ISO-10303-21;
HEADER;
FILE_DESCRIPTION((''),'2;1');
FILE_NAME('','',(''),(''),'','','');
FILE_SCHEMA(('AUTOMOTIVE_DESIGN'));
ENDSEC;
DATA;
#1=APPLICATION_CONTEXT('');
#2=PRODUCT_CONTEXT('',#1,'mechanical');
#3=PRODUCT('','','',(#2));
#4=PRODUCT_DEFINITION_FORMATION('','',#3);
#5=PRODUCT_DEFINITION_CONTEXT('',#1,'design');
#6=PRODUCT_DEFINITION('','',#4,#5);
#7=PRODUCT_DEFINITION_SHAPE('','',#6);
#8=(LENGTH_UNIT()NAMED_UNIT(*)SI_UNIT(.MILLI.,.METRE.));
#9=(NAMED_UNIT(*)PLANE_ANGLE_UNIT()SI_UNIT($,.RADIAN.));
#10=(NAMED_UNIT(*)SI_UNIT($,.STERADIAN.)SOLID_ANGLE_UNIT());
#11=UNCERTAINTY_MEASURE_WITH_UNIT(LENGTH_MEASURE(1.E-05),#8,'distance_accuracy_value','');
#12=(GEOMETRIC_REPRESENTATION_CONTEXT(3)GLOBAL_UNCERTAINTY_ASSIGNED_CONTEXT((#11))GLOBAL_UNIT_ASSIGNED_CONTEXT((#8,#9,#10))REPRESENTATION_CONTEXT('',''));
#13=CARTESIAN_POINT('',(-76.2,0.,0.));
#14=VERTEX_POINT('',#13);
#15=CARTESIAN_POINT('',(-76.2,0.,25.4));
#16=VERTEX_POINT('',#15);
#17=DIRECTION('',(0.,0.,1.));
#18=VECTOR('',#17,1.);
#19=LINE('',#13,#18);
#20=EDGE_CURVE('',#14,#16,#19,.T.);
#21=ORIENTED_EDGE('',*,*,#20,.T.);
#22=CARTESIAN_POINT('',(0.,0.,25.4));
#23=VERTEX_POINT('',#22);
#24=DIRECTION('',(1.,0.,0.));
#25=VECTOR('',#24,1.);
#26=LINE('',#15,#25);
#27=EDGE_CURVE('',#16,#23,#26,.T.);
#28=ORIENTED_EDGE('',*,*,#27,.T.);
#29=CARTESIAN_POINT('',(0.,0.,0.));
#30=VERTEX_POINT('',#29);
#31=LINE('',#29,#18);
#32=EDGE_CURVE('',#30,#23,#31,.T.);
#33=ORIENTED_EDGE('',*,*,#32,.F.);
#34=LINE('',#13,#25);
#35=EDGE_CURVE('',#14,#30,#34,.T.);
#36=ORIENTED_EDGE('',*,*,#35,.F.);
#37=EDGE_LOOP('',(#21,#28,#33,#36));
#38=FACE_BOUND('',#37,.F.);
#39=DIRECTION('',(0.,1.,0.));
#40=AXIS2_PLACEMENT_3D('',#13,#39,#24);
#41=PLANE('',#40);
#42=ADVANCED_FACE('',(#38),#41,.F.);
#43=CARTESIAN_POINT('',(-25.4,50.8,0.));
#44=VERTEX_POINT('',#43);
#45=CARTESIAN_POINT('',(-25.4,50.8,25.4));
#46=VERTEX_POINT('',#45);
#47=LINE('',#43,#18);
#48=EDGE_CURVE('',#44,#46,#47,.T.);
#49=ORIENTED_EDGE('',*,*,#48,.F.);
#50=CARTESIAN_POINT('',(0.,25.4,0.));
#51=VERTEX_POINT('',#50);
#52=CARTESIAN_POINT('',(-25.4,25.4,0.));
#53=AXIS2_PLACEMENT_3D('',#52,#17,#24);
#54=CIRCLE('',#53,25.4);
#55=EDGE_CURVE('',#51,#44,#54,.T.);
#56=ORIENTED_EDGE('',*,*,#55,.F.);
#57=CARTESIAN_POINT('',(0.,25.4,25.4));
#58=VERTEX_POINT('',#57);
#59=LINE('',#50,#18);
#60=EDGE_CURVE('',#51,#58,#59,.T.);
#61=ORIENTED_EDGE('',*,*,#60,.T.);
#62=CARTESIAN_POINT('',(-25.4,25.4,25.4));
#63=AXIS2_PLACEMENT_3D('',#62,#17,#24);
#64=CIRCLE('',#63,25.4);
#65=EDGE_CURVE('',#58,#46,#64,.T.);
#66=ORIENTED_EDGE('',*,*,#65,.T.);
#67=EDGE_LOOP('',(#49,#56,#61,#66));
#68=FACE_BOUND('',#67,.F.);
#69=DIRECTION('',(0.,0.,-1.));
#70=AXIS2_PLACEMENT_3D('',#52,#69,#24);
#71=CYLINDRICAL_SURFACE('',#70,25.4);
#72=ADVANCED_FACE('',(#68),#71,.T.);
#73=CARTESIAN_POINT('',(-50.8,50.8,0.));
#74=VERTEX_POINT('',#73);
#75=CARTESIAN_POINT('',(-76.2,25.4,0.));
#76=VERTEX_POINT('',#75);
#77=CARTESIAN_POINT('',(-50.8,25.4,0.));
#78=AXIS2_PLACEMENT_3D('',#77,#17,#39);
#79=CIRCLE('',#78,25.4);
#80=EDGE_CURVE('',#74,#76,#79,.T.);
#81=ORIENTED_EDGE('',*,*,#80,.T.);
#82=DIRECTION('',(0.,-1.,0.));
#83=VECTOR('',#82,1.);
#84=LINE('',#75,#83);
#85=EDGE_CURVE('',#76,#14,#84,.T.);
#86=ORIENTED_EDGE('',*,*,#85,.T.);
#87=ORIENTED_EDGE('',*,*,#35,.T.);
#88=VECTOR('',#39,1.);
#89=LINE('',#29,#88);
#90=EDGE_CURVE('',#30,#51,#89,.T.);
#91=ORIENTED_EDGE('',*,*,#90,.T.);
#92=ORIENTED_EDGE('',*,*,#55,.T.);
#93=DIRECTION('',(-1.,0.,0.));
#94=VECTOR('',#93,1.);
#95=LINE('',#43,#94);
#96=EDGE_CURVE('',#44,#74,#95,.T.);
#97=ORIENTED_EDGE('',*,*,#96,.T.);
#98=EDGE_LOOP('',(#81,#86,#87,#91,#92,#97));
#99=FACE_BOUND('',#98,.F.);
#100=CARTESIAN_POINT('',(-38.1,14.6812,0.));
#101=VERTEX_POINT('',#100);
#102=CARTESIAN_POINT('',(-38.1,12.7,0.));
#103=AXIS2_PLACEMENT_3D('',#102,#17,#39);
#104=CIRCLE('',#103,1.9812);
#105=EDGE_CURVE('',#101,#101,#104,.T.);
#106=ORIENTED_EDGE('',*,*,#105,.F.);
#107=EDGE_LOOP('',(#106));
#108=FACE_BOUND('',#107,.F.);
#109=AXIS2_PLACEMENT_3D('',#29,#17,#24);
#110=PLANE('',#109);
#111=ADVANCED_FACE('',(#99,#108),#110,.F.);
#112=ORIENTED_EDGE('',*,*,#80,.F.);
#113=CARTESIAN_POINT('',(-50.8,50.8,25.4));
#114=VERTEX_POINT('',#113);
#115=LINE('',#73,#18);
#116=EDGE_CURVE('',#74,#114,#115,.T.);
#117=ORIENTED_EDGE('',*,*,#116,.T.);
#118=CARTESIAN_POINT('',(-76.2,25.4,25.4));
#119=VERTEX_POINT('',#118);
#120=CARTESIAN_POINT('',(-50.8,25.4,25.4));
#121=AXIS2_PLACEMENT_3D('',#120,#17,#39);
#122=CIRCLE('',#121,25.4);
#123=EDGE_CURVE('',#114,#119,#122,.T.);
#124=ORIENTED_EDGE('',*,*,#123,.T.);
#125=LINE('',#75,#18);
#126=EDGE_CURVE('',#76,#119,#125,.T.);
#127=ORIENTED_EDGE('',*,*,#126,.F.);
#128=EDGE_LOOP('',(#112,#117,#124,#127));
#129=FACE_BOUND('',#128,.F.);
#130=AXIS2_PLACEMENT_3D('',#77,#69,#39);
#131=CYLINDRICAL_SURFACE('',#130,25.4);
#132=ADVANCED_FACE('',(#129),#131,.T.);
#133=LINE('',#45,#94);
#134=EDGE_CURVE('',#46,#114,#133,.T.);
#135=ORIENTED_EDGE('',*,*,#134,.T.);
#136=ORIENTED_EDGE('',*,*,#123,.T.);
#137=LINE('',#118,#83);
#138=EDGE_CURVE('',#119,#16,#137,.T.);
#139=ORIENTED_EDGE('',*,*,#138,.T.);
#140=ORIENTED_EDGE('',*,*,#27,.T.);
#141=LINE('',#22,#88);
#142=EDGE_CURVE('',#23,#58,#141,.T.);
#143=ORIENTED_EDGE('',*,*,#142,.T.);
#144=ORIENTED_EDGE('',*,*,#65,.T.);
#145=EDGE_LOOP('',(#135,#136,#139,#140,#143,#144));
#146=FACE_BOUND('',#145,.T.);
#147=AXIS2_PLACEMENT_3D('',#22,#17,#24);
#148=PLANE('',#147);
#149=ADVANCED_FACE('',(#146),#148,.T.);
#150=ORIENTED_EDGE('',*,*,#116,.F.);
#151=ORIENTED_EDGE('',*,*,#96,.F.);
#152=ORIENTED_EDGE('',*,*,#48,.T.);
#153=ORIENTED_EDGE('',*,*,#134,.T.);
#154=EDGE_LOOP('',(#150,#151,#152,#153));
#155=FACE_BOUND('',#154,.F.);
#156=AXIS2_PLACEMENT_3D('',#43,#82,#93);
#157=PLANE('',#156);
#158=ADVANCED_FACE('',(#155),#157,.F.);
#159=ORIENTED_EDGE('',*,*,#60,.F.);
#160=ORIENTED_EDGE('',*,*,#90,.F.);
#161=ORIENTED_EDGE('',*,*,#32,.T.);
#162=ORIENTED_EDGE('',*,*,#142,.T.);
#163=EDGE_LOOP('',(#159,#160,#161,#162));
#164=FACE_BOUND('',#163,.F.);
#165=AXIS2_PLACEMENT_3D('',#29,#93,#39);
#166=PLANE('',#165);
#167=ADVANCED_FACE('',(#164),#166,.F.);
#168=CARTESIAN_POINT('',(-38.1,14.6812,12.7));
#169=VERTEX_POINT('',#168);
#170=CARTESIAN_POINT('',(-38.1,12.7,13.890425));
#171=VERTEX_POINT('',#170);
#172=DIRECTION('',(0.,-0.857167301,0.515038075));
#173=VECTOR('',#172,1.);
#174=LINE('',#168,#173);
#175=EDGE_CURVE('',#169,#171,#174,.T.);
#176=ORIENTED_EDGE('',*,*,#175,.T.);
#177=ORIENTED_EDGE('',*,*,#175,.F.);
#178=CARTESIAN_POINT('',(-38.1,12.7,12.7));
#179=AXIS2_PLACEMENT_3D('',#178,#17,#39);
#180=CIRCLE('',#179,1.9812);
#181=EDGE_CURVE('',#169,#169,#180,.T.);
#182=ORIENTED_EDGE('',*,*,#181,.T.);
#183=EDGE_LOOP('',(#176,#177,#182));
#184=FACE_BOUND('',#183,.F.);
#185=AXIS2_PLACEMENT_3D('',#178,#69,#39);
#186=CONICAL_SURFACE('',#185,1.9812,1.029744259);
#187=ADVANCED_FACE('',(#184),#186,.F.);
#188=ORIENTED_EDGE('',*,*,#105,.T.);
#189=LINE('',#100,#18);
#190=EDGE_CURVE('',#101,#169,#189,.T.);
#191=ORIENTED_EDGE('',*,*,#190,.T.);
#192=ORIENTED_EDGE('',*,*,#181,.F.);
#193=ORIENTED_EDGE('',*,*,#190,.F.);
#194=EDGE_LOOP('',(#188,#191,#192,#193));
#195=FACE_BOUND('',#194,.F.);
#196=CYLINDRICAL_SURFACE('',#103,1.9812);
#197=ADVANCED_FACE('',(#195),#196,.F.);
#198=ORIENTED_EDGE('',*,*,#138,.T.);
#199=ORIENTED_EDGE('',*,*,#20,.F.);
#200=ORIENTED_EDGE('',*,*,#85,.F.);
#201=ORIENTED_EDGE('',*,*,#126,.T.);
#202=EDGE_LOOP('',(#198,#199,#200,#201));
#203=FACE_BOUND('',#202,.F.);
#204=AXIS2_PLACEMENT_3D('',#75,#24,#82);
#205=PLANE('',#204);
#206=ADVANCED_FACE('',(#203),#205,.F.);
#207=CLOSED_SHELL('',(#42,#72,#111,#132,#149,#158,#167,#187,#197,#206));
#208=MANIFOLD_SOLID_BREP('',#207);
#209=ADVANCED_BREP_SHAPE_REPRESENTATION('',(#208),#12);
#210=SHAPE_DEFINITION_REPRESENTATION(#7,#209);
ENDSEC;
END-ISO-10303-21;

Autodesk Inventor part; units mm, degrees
ref_plane "YZ Plane" through (0, 0, 0) normal (1, 0, 0) x (0, 1, 0)
ref_plane "XZ Plane" through (0, 0, 0) normal (0, 1, 0) x (-1, 0, 0)
ref_plane "XY Plane" through (0, 0, 0) normal (0, 0, 1) x (1, 0, 0)
sketch "Sketch1" plane through (0, 0, 0) normal (0, 0, 1) x (1, 0, 0)
  line L0 (0, 0) -> (0, 25.4)
  arc A0 (0, 25.4) -> (-25.4, 50.8) centre (-25.4, 25.4) ccw
  line L1 (-25.4, 50.8) -> (-50.8, 50.8)
  arc A1 (-50.8, 50.8) -> (-76.2, 25.4) centre (-50.8, 25.4) ccw
  line L2 (-76.2, 25.4) -> (-76.2, 0)
  line L3 (-76.2, 0) -> (0, 0)
  point P0 (-38.1, 12.7)
extrude "Extrusion1" add sketch "Sketch1" along normal blind 25.4
hole "Hole1" at (-38.1, 12.7, 0) direction (0, 0, 1) diameter 3.9624 depth 12.7 tip angle 118 thread size "10-32 UNF" class "2B" standard "ANSI Unified Screw Threads"
properties part number "00000_arc_test"
